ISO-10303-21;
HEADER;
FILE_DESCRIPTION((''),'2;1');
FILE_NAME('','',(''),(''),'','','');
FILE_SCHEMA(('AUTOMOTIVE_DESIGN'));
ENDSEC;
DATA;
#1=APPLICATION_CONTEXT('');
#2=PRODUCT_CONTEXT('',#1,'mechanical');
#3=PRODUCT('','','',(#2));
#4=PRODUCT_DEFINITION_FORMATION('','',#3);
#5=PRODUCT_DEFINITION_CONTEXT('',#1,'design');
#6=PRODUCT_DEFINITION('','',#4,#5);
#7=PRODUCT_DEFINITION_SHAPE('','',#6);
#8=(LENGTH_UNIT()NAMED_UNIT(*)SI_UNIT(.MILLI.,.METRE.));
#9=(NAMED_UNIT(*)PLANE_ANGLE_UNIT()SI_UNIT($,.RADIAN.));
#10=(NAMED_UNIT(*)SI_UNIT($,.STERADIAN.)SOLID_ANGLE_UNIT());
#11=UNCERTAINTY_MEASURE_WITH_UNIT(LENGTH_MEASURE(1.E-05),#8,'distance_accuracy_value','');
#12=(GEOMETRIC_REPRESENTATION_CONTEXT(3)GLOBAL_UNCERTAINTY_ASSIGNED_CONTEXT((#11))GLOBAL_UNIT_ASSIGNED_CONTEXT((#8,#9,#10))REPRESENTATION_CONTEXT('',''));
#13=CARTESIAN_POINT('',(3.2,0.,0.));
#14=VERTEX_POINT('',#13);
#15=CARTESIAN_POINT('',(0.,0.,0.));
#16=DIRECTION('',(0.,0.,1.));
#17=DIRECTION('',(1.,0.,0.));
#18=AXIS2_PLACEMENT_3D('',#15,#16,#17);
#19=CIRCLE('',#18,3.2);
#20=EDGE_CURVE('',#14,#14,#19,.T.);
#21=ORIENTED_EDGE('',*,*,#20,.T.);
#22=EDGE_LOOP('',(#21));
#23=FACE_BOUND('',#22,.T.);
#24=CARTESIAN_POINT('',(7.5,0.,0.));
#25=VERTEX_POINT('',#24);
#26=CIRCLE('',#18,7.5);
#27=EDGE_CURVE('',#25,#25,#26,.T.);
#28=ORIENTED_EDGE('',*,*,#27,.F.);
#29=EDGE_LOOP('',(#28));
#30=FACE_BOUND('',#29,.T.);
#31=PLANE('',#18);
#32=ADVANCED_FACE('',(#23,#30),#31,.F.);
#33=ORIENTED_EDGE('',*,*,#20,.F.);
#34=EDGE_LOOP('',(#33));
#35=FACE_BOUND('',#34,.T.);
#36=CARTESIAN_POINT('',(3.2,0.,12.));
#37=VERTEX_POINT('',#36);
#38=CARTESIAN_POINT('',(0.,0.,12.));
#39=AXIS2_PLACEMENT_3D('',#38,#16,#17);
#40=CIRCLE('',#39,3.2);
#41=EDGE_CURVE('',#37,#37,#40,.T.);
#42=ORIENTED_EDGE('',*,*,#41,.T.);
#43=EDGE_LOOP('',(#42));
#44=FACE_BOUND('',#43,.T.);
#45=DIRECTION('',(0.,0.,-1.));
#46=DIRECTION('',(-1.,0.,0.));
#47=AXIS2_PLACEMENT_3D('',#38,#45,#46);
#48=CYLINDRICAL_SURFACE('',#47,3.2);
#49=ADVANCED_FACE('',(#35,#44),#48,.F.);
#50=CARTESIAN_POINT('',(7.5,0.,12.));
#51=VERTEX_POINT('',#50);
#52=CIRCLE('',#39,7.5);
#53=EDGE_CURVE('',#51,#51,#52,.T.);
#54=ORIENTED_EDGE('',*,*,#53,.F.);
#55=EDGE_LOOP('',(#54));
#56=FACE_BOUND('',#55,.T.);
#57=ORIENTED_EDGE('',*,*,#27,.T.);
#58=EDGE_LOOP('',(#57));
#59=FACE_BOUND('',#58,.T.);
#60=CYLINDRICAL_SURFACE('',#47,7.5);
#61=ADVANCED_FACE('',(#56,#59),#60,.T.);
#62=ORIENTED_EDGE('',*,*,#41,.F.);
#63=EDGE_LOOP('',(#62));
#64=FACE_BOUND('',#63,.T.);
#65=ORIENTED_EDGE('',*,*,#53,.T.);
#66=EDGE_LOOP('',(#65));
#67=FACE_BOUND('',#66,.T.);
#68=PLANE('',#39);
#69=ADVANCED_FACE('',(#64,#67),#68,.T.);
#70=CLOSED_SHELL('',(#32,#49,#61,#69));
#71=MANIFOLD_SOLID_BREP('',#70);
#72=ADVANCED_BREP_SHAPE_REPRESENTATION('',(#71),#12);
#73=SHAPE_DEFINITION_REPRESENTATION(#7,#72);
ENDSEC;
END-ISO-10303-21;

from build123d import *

# Parameters (mm, degrees)
SKETCH_1_R      = 7.5
SKETCH_1_R_2    = 3.2
EXTRUDE_1_DEPTH = 12


with BuildPart() as part:
    # 스케치1 → 보스-돌출1 (new body)
    with BuildSketch(Plane.XY):
        Circle(SKETCH_1_R)
        Circle(SKETCH_1_R_2, mode=Mode.SUBTRACT)
    extrude(amount=EXTRUDE_1_DEPTH)


solid = part.part
